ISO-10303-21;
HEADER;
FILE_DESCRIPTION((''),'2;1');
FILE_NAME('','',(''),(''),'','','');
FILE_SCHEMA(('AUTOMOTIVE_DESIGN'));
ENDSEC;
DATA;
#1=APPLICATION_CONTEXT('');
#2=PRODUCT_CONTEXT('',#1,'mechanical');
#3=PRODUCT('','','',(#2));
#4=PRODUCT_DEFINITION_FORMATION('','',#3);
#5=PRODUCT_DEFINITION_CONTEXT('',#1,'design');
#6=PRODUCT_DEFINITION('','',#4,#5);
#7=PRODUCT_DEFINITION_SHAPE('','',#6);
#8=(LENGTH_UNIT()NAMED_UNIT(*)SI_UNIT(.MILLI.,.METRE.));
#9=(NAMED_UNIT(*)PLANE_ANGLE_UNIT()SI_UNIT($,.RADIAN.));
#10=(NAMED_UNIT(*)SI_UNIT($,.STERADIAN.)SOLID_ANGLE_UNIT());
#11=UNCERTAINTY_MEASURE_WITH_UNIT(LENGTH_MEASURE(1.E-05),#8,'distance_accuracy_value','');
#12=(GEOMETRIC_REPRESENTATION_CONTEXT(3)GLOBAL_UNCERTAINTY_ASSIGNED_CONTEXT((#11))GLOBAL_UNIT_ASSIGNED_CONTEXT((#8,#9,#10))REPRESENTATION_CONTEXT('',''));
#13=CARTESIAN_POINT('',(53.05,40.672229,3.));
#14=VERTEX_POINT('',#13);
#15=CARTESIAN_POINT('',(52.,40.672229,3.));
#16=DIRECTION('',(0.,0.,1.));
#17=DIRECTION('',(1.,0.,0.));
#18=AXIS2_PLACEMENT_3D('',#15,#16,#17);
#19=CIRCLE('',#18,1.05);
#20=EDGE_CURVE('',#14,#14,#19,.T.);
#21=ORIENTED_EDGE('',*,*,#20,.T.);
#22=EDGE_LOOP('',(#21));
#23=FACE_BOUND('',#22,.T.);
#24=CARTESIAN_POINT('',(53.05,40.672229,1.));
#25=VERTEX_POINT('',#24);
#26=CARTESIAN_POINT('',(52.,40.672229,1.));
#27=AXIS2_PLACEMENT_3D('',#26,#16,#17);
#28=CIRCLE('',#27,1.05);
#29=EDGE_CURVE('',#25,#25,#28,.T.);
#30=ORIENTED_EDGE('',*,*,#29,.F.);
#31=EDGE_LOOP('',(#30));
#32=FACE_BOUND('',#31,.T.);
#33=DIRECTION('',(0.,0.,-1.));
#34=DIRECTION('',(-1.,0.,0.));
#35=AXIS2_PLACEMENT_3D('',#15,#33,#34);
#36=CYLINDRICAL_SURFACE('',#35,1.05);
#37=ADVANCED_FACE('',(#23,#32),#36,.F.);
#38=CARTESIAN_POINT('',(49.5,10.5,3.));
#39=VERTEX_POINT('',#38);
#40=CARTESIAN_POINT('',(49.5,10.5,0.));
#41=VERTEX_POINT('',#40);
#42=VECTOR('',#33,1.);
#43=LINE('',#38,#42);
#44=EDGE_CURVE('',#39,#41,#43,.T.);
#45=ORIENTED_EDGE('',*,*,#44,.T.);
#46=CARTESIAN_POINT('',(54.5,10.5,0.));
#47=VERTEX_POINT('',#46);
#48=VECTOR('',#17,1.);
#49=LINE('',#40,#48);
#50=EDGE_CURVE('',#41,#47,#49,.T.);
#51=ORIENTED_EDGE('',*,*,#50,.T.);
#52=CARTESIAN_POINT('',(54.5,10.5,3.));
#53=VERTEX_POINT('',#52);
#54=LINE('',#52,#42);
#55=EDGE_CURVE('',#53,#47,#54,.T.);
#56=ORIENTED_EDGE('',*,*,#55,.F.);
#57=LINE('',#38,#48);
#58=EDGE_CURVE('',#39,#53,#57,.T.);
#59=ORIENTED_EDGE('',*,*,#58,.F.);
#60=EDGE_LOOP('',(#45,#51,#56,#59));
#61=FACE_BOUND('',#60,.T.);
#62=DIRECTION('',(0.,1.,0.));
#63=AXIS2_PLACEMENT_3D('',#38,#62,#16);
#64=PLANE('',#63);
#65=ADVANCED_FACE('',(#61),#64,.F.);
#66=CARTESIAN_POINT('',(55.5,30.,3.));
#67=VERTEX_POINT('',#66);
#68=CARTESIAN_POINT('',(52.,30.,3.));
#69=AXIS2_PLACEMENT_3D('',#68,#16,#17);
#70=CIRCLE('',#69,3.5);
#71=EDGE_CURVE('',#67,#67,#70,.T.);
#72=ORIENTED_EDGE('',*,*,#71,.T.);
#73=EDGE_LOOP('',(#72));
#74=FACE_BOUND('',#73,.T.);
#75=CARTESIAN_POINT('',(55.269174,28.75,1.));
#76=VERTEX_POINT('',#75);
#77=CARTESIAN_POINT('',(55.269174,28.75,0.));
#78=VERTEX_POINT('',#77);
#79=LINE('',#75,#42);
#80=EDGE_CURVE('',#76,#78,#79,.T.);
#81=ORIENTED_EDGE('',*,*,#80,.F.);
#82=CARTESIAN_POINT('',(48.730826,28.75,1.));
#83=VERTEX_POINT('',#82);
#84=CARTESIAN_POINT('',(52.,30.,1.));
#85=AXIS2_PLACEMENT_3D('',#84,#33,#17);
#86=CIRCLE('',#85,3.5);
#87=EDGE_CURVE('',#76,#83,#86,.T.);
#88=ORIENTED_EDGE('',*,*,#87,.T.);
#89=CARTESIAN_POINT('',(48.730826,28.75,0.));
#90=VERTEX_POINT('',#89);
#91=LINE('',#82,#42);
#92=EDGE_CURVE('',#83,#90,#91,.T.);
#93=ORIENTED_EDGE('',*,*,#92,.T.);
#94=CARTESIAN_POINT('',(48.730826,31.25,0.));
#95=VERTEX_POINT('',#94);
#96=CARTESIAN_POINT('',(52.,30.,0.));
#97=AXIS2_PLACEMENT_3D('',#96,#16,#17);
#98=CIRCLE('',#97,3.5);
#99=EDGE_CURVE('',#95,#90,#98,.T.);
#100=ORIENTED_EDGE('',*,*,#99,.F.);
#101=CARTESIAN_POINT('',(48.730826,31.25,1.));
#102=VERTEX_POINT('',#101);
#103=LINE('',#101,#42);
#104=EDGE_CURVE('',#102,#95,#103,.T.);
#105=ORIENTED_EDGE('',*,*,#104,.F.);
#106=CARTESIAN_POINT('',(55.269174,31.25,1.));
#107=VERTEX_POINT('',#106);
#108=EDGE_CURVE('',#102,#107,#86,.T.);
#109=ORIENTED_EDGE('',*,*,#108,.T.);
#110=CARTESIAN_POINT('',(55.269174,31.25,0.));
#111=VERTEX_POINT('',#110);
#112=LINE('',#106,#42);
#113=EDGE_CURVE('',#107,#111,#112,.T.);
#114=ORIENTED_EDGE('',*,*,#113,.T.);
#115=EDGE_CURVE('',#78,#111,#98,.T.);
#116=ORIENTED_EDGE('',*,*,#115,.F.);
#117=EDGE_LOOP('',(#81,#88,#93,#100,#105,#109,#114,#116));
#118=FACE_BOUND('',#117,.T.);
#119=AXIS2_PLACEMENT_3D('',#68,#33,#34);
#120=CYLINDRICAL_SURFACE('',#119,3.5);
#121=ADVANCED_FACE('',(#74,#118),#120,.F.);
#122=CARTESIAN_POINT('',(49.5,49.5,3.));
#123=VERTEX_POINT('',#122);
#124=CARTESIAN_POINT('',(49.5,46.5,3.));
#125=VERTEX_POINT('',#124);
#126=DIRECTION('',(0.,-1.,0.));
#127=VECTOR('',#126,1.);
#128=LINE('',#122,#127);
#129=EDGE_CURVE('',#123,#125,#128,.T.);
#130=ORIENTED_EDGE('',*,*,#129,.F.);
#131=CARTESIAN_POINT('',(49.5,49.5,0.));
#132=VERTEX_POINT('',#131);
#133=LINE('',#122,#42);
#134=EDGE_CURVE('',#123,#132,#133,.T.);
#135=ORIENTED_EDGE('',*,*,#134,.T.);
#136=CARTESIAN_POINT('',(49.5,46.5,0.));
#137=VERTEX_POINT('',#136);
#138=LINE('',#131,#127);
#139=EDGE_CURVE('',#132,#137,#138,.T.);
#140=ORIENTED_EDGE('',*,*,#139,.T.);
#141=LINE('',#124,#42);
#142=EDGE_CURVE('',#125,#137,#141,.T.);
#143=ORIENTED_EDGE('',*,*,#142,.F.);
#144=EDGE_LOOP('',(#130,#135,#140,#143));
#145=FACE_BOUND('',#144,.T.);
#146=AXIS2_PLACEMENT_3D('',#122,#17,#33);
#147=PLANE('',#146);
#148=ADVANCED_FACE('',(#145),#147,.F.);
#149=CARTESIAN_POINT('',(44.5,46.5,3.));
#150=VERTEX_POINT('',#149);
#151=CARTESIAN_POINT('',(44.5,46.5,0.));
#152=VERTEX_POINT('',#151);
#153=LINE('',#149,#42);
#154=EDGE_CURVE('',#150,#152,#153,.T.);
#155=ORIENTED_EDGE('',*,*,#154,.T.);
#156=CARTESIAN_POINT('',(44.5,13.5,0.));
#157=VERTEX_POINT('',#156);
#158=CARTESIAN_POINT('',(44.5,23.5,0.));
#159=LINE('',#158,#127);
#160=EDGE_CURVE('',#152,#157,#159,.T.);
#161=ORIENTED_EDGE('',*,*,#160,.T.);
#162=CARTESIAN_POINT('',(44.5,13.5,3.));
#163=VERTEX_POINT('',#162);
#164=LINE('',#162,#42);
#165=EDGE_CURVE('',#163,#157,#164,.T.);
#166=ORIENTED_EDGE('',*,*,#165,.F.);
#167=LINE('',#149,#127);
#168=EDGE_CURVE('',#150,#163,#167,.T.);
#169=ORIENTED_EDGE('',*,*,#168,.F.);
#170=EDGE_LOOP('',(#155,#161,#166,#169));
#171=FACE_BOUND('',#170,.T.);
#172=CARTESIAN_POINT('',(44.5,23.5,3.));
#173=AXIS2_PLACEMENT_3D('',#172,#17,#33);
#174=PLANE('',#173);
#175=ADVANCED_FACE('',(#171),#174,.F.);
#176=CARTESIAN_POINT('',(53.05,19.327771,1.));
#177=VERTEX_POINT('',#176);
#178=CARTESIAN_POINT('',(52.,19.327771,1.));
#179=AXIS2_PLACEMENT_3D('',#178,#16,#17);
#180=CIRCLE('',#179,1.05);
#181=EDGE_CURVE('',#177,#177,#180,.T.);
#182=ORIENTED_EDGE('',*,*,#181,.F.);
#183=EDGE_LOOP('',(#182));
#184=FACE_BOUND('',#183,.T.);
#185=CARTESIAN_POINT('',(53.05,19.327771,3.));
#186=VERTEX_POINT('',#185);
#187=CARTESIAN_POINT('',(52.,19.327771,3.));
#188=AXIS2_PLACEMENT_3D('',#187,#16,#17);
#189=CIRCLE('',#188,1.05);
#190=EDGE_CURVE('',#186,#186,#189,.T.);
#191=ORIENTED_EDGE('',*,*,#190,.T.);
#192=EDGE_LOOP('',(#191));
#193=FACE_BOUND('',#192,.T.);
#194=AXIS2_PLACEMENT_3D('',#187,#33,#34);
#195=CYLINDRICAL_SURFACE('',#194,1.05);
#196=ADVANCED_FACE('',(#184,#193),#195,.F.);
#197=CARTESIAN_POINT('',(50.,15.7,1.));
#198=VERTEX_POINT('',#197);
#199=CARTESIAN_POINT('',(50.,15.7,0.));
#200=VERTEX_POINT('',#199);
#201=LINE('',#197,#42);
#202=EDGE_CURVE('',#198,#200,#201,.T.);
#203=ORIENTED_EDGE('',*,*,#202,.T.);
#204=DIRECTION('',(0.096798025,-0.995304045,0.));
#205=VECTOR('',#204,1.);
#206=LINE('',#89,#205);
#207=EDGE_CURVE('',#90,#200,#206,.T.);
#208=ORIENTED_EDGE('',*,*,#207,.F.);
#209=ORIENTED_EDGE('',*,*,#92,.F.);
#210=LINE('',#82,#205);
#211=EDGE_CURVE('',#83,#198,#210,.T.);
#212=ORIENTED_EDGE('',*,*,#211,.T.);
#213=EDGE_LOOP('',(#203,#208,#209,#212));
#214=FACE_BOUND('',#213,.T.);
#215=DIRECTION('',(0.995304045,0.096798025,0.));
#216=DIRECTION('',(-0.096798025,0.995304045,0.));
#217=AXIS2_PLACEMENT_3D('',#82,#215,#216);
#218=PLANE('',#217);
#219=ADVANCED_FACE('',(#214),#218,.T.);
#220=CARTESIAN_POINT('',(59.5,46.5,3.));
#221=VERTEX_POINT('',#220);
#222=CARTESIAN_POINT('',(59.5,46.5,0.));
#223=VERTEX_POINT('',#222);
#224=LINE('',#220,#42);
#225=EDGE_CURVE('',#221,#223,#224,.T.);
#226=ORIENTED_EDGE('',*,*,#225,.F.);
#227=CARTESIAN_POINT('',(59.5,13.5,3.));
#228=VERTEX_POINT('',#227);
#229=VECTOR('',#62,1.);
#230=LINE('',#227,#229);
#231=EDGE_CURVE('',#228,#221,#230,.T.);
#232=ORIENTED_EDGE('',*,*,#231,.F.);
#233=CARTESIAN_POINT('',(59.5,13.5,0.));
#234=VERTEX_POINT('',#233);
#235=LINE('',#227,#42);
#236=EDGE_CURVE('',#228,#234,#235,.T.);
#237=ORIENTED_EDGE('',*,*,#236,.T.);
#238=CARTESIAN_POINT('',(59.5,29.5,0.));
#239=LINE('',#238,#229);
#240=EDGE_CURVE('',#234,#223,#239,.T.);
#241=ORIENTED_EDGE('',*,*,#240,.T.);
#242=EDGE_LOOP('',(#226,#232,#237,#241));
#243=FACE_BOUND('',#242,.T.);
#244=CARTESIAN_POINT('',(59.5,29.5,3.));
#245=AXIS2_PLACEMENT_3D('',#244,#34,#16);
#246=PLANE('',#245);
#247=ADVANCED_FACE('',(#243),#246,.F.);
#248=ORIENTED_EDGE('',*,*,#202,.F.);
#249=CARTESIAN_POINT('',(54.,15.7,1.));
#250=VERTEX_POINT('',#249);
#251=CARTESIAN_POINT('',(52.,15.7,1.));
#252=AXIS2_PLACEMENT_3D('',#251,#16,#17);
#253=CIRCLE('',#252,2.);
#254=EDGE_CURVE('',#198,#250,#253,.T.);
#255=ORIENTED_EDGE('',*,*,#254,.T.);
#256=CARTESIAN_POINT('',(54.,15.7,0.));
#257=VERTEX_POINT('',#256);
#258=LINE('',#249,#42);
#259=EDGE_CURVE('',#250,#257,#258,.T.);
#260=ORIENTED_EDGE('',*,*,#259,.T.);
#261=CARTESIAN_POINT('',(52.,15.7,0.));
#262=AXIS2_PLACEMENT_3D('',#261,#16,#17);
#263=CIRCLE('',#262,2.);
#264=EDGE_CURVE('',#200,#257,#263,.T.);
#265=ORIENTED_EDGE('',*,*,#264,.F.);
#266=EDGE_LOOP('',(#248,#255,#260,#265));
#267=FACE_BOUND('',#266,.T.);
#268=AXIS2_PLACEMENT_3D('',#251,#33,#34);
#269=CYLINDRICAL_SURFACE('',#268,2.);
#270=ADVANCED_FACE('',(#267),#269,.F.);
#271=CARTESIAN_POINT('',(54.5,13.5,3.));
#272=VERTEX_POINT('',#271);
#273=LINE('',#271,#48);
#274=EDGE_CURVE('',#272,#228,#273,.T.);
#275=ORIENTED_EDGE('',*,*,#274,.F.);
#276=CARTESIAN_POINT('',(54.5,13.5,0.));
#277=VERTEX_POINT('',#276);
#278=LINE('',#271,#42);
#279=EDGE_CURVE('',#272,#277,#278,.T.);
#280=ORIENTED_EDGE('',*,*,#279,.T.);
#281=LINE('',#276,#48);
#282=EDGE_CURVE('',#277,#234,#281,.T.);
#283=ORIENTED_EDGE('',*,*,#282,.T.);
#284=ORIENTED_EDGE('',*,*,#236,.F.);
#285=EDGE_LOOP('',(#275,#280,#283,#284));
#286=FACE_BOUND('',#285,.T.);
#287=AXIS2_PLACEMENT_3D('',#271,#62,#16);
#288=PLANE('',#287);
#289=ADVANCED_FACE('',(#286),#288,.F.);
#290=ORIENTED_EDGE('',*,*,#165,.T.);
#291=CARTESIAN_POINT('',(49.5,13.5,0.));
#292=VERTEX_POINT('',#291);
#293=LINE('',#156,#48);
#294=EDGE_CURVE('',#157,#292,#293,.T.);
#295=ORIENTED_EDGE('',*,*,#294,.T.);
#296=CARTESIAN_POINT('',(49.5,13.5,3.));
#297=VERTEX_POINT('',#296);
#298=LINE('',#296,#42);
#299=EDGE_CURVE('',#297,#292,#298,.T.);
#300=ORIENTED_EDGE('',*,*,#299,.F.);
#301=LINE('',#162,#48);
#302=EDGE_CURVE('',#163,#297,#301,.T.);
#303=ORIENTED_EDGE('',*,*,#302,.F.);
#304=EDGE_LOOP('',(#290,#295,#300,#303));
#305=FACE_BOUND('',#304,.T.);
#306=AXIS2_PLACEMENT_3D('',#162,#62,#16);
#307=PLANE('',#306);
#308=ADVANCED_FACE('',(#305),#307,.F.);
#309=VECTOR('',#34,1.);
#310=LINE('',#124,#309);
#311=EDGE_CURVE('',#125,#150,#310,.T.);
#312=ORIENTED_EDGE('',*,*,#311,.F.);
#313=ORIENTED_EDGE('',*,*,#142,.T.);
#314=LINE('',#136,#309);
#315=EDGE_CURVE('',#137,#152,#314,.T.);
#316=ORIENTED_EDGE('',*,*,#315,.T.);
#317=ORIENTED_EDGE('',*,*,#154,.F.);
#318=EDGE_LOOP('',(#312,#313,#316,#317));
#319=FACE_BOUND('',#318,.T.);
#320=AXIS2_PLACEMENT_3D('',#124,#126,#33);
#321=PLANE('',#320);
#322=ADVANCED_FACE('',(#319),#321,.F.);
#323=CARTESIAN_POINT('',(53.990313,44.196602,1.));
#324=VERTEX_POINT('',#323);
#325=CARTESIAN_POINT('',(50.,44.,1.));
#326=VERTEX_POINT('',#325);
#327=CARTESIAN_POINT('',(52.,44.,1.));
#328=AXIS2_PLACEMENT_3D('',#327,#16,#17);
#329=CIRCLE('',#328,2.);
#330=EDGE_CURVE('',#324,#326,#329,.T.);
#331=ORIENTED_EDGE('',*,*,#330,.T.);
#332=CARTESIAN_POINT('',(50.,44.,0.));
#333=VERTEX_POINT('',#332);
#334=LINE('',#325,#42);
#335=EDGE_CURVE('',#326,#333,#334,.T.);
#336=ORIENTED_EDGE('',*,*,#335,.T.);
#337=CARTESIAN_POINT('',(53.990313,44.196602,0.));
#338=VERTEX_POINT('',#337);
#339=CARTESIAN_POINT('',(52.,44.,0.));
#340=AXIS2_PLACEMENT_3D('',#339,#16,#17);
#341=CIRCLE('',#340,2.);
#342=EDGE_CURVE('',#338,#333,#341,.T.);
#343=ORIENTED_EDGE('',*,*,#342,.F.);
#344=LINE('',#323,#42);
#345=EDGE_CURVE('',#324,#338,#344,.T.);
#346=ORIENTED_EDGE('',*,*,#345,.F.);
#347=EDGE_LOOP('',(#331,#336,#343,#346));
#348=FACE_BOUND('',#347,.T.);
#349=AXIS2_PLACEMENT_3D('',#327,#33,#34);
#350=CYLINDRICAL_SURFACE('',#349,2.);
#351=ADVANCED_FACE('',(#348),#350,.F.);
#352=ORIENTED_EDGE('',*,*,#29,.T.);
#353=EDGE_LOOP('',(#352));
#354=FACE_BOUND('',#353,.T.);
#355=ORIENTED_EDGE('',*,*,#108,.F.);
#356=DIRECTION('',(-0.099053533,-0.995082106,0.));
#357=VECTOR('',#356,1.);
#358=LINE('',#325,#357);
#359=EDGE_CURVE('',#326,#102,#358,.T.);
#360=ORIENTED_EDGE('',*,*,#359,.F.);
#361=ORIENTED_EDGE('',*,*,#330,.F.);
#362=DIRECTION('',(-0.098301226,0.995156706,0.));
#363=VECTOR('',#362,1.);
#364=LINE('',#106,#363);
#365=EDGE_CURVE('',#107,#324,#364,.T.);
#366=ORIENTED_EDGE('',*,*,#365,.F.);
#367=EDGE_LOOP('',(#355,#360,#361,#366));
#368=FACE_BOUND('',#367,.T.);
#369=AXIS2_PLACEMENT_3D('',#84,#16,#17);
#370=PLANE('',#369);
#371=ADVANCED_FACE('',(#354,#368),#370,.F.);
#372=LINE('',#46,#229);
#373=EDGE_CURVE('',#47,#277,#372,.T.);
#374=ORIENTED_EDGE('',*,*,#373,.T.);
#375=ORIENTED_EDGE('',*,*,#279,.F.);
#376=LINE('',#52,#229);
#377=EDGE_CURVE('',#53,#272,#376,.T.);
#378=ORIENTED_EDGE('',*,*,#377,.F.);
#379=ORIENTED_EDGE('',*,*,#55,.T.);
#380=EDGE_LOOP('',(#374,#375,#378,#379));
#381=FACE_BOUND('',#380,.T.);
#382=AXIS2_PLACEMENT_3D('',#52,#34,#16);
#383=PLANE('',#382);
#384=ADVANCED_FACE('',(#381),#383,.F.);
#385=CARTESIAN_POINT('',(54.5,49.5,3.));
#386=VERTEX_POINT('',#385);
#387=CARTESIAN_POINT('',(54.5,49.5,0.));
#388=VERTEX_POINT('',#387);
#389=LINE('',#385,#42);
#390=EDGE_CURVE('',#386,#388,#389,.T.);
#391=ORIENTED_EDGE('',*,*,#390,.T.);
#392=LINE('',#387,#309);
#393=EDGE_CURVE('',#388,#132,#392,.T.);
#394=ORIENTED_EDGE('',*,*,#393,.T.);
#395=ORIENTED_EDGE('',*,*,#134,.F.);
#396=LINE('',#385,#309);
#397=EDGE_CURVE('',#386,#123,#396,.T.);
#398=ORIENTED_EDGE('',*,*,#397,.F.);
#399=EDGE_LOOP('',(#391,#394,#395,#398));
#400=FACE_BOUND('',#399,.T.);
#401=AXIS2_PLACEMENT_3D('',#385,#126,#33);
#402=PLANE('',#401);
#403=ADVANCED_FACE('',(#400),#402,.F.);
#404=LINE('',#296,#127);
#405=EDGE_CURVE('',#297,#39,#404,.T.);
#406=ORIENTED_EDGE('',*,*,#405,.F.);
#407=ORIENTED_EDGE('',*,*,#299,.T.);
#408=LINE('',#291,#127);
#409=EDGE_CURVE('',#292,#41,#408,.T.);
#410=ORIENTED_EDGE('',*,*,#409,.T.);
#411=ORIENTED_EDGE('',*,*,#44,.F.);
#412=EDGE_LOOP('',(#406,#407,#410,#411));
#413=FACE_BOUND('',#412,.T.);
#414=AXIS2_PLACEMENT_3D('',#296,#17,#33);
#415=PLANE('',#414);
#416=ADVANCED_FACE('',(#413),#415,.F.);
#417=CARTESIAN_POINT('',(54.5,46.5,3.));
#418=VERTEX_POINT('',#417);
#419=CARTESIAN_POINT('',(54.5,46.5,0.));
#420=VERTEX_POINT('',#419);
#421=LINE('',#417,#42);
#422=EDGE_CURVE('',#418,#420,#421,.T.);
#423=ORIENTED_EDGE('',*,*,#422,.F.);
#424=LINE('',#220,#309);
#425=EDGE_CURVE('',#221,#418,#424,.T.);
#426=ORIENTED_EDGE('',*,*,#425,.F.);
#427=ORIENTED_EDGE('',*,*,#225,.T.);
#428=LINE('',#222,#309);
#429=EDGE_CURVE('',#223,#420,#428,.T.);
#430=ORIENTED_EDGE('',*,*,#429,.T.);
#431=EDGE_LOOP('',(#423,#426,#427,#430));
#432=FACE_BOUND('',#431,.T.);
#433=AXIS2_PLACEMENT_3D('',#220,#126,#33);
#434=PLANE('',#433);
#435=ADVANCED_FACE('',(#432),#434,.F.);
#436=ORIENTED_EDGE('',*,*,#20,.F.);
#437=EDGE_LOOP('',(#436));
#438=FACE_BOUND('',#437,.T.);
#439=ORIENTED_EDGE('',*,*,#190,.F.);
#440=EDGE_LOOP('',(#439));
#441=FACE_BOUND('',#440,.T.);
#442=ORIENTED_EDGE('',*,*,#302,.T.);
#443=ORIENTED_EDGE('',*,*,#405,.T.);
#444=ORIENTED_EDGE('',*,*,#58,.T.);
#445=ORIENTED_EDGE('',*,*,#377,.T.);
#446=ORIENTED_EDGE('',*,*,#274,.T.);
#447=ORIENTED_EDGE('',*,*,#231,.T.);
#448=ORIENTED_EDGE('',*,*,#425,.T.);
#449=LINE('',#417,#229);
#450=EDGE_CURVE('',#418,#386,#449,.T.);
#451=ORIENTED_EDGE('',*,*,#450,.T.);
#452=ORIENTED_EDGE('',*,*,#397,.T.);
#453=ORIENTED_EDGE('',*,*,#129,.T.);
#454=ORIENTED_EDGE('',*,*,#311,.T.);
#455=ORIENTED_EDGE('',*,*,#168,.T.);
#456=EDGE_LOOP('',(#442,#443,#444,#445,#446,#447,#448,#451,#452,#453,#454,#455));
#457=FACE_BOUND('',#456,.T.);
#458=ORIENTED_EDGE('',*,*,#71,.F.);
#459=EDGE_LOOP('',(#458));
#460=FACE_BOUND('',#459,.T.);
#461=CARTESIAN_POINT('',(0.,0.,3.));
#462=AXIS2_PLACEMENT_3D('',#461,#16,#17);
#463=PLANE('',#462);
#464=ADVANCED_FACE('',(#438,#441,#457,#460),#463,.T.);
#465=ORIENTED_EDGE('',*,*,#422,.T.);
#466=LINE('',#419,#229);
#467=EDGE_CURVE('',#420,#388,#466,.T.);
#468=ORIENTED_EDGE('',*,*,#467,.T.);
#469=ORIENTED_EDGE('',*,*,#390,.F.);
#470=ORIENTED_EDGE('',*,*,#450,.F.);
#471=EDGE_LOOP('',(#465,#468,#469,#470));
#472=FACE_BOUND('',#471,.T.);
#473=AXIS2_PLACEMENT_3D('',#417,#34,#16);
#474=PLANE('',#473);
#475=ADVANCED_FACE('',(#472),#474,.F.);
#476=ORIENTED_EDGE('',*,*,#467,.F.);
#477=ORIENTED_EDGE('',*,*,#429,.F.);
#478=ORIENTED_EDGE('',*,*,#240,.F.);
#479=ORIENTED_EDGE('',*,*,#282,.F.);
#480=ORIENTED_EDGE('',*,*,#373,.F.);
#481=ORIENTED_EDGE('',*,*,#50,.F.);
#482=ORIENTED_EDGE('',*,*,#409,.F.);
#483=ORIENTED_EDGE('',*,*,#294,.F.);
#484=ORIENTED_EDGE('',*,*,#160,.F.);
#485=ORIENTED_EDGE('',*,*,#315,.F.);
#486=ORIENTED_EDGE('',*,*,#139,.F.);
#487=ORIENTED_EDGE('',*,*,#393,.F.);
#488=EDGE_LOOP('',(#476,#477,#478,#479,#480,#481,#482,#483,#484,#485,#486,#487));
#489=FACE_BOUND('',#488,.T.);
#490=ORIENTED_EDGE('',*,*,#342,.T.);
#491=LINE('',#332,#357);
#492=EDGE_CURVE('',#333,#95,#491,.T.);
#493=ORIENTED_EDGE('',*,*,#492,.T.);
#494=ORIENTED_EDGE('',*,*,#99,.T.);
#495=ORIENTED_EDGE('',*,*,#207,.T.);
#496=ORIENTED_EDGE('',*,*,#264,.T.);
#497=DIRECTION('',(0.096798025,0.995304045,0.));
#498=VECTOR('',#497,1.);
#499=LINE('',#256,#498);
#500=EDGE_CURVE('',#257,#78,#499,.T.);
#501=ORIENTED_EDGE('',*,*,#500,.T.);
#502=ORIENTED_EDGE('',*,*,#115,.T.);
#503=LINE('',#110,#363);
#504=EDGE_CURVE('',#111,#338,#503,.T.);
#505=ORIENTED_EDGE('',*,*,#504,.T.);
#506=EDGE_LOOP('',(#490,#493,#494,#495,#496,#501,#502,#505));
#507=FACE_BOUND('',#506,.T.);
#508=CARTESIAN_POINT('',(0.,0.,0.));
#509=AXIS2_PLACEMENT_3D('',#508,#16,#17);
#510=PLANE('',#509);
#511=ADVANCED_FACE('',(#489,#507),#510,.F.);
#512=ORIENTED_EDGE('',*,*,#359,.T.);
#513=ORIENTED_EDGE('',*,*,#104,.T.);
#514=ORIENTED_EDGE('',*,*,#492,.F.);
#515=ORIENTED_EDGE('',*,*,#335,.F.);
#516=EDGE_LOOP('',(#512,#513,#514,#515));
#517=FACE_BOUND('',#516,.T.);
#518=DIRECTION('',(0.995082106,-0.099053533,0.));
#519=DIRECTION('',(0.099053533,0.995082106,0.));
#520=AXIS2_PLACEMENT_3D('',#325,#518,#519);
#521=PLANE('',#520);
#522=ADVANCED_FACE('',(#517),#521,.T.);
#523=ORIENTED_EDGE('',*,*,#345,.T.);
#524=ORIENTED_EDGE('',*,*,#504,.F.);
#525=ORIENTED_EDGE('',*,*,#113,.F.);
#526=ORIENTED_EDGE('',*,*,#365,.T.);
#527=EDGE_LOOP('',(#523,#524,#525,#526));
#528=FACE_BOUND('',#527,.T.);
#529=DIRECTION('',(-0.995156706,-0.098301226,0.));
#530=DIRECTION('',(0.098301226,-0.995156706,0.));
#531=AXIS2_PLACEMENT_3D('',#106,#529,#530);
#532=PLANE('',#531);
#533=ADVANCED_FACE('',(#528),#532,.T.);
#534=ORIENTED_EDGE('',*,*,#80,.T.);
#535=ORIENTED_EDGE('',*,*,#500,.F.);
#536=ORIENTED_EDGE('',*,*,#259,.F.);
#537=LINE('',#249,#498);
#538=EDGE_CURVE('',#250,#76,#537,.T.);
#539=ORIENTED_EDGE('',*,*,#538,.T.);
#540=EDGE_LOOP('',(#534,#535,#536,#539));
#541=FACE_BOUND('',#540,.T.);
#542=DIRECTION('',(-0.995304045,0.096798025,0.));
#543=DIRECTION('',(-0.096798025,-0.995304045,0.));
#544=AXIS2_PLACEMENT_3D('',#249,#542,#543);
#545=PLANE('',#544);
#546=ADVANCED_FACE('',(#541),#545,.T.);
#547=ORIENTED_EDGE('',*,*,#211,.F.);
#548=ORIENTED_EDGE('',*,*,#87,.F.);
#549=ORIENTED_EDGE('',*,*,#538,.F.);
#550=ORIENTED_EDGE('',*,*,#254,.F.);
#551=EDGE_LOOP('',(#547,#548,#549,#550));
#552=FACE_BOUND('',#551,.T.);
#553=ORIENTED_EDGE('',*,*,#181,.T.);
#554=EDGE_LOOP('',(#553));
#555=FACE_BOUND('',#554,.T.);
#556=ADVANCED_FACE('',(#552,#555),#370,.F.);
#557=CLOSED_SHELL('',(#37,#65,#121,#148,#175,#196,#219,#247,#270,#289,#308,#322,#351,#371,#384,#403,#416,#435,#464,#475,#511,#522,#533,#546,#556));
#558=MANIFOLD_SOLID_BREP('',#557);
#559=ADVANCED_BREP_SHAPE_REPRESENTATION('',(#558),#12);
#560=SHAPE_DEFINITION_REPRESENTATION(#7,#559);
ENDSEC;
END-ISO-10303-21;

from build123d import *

# Parameters (mm, degrees)
CORTE_EXTERIOR_R        = 1.05
CORTE_EXTERIOR_R_2      = 3.5
SALIENTE_EXTRUIR1_DEPTH = 3
CORTAR_EXTRUIR1_DEPTH   = 1


with BuildPart() as part:
    # Corte exterior → Saliente-Extruir1 (new body)
    with BuildSketch(Plane.XY):
        Polygon((49.5, 10.5), (54.5, 10.5), (54.5, 13.5), (59.5, 13.5), (59.5, 29.5), (59.5, 46.5), (54.5, 46.5), (54.5, 49.5), (49.5, 49.5), (49.5, 46.5), (44.5, 46.5), (44.5, 23.5), (44.5, 13.5), (49.5, 13.5), align=None)
        with Locations((52, 40.672229454)):
            Circle(CORTE_EXTERIOR_R, mode=Mode.SUBTRACT)
        with Locations((52, 19.327770547)):
            Circle(CORTE_EXTERIOR_R, mode=Mode.SUBTRACT)
        with Locations((52, 30)):
            Circle(CORTE_EXTERIOR_R_2, mode=Mode.SUBTRACT)
    extrude(amount=SALIENTE_EXTRUIR1_DEPTH)

    # Grabado Superficie → Cortar-Extruir1 (cut)
    with BuildSketch(Plane.XY):
        with BuildLine():
            Line((48.730825792, 28.75), (50, 15.7))
            ThreePointArc((50, 15.7), (52, 13.7), (54, 15.7))
            Line((54, 15.7), (55.269174208, 28.75))
            ThreePointArc((55.269174208, 28.75), (52, 26.5), (48.730825792, 28.75))
        make_face()
        with BuildLine():
            Line((55.269174208, 31.25), (53.990313411, 44.196602453))
            ThreePointArc((53.990313411, 44.196602453), (51.901579532, 45.997576885), (50, 44))
            Line((50, 44), (48.730825792, 31.25))
            ThreePointArc((48.730825792, 31.25), (52, 33.5), (55.269174208, 31.25))
        make_face()
    extrude(amount=CORTAR_EXTRUIR1_DEPTH, mode=Mode.SUBTRACT)


solid = part.part
